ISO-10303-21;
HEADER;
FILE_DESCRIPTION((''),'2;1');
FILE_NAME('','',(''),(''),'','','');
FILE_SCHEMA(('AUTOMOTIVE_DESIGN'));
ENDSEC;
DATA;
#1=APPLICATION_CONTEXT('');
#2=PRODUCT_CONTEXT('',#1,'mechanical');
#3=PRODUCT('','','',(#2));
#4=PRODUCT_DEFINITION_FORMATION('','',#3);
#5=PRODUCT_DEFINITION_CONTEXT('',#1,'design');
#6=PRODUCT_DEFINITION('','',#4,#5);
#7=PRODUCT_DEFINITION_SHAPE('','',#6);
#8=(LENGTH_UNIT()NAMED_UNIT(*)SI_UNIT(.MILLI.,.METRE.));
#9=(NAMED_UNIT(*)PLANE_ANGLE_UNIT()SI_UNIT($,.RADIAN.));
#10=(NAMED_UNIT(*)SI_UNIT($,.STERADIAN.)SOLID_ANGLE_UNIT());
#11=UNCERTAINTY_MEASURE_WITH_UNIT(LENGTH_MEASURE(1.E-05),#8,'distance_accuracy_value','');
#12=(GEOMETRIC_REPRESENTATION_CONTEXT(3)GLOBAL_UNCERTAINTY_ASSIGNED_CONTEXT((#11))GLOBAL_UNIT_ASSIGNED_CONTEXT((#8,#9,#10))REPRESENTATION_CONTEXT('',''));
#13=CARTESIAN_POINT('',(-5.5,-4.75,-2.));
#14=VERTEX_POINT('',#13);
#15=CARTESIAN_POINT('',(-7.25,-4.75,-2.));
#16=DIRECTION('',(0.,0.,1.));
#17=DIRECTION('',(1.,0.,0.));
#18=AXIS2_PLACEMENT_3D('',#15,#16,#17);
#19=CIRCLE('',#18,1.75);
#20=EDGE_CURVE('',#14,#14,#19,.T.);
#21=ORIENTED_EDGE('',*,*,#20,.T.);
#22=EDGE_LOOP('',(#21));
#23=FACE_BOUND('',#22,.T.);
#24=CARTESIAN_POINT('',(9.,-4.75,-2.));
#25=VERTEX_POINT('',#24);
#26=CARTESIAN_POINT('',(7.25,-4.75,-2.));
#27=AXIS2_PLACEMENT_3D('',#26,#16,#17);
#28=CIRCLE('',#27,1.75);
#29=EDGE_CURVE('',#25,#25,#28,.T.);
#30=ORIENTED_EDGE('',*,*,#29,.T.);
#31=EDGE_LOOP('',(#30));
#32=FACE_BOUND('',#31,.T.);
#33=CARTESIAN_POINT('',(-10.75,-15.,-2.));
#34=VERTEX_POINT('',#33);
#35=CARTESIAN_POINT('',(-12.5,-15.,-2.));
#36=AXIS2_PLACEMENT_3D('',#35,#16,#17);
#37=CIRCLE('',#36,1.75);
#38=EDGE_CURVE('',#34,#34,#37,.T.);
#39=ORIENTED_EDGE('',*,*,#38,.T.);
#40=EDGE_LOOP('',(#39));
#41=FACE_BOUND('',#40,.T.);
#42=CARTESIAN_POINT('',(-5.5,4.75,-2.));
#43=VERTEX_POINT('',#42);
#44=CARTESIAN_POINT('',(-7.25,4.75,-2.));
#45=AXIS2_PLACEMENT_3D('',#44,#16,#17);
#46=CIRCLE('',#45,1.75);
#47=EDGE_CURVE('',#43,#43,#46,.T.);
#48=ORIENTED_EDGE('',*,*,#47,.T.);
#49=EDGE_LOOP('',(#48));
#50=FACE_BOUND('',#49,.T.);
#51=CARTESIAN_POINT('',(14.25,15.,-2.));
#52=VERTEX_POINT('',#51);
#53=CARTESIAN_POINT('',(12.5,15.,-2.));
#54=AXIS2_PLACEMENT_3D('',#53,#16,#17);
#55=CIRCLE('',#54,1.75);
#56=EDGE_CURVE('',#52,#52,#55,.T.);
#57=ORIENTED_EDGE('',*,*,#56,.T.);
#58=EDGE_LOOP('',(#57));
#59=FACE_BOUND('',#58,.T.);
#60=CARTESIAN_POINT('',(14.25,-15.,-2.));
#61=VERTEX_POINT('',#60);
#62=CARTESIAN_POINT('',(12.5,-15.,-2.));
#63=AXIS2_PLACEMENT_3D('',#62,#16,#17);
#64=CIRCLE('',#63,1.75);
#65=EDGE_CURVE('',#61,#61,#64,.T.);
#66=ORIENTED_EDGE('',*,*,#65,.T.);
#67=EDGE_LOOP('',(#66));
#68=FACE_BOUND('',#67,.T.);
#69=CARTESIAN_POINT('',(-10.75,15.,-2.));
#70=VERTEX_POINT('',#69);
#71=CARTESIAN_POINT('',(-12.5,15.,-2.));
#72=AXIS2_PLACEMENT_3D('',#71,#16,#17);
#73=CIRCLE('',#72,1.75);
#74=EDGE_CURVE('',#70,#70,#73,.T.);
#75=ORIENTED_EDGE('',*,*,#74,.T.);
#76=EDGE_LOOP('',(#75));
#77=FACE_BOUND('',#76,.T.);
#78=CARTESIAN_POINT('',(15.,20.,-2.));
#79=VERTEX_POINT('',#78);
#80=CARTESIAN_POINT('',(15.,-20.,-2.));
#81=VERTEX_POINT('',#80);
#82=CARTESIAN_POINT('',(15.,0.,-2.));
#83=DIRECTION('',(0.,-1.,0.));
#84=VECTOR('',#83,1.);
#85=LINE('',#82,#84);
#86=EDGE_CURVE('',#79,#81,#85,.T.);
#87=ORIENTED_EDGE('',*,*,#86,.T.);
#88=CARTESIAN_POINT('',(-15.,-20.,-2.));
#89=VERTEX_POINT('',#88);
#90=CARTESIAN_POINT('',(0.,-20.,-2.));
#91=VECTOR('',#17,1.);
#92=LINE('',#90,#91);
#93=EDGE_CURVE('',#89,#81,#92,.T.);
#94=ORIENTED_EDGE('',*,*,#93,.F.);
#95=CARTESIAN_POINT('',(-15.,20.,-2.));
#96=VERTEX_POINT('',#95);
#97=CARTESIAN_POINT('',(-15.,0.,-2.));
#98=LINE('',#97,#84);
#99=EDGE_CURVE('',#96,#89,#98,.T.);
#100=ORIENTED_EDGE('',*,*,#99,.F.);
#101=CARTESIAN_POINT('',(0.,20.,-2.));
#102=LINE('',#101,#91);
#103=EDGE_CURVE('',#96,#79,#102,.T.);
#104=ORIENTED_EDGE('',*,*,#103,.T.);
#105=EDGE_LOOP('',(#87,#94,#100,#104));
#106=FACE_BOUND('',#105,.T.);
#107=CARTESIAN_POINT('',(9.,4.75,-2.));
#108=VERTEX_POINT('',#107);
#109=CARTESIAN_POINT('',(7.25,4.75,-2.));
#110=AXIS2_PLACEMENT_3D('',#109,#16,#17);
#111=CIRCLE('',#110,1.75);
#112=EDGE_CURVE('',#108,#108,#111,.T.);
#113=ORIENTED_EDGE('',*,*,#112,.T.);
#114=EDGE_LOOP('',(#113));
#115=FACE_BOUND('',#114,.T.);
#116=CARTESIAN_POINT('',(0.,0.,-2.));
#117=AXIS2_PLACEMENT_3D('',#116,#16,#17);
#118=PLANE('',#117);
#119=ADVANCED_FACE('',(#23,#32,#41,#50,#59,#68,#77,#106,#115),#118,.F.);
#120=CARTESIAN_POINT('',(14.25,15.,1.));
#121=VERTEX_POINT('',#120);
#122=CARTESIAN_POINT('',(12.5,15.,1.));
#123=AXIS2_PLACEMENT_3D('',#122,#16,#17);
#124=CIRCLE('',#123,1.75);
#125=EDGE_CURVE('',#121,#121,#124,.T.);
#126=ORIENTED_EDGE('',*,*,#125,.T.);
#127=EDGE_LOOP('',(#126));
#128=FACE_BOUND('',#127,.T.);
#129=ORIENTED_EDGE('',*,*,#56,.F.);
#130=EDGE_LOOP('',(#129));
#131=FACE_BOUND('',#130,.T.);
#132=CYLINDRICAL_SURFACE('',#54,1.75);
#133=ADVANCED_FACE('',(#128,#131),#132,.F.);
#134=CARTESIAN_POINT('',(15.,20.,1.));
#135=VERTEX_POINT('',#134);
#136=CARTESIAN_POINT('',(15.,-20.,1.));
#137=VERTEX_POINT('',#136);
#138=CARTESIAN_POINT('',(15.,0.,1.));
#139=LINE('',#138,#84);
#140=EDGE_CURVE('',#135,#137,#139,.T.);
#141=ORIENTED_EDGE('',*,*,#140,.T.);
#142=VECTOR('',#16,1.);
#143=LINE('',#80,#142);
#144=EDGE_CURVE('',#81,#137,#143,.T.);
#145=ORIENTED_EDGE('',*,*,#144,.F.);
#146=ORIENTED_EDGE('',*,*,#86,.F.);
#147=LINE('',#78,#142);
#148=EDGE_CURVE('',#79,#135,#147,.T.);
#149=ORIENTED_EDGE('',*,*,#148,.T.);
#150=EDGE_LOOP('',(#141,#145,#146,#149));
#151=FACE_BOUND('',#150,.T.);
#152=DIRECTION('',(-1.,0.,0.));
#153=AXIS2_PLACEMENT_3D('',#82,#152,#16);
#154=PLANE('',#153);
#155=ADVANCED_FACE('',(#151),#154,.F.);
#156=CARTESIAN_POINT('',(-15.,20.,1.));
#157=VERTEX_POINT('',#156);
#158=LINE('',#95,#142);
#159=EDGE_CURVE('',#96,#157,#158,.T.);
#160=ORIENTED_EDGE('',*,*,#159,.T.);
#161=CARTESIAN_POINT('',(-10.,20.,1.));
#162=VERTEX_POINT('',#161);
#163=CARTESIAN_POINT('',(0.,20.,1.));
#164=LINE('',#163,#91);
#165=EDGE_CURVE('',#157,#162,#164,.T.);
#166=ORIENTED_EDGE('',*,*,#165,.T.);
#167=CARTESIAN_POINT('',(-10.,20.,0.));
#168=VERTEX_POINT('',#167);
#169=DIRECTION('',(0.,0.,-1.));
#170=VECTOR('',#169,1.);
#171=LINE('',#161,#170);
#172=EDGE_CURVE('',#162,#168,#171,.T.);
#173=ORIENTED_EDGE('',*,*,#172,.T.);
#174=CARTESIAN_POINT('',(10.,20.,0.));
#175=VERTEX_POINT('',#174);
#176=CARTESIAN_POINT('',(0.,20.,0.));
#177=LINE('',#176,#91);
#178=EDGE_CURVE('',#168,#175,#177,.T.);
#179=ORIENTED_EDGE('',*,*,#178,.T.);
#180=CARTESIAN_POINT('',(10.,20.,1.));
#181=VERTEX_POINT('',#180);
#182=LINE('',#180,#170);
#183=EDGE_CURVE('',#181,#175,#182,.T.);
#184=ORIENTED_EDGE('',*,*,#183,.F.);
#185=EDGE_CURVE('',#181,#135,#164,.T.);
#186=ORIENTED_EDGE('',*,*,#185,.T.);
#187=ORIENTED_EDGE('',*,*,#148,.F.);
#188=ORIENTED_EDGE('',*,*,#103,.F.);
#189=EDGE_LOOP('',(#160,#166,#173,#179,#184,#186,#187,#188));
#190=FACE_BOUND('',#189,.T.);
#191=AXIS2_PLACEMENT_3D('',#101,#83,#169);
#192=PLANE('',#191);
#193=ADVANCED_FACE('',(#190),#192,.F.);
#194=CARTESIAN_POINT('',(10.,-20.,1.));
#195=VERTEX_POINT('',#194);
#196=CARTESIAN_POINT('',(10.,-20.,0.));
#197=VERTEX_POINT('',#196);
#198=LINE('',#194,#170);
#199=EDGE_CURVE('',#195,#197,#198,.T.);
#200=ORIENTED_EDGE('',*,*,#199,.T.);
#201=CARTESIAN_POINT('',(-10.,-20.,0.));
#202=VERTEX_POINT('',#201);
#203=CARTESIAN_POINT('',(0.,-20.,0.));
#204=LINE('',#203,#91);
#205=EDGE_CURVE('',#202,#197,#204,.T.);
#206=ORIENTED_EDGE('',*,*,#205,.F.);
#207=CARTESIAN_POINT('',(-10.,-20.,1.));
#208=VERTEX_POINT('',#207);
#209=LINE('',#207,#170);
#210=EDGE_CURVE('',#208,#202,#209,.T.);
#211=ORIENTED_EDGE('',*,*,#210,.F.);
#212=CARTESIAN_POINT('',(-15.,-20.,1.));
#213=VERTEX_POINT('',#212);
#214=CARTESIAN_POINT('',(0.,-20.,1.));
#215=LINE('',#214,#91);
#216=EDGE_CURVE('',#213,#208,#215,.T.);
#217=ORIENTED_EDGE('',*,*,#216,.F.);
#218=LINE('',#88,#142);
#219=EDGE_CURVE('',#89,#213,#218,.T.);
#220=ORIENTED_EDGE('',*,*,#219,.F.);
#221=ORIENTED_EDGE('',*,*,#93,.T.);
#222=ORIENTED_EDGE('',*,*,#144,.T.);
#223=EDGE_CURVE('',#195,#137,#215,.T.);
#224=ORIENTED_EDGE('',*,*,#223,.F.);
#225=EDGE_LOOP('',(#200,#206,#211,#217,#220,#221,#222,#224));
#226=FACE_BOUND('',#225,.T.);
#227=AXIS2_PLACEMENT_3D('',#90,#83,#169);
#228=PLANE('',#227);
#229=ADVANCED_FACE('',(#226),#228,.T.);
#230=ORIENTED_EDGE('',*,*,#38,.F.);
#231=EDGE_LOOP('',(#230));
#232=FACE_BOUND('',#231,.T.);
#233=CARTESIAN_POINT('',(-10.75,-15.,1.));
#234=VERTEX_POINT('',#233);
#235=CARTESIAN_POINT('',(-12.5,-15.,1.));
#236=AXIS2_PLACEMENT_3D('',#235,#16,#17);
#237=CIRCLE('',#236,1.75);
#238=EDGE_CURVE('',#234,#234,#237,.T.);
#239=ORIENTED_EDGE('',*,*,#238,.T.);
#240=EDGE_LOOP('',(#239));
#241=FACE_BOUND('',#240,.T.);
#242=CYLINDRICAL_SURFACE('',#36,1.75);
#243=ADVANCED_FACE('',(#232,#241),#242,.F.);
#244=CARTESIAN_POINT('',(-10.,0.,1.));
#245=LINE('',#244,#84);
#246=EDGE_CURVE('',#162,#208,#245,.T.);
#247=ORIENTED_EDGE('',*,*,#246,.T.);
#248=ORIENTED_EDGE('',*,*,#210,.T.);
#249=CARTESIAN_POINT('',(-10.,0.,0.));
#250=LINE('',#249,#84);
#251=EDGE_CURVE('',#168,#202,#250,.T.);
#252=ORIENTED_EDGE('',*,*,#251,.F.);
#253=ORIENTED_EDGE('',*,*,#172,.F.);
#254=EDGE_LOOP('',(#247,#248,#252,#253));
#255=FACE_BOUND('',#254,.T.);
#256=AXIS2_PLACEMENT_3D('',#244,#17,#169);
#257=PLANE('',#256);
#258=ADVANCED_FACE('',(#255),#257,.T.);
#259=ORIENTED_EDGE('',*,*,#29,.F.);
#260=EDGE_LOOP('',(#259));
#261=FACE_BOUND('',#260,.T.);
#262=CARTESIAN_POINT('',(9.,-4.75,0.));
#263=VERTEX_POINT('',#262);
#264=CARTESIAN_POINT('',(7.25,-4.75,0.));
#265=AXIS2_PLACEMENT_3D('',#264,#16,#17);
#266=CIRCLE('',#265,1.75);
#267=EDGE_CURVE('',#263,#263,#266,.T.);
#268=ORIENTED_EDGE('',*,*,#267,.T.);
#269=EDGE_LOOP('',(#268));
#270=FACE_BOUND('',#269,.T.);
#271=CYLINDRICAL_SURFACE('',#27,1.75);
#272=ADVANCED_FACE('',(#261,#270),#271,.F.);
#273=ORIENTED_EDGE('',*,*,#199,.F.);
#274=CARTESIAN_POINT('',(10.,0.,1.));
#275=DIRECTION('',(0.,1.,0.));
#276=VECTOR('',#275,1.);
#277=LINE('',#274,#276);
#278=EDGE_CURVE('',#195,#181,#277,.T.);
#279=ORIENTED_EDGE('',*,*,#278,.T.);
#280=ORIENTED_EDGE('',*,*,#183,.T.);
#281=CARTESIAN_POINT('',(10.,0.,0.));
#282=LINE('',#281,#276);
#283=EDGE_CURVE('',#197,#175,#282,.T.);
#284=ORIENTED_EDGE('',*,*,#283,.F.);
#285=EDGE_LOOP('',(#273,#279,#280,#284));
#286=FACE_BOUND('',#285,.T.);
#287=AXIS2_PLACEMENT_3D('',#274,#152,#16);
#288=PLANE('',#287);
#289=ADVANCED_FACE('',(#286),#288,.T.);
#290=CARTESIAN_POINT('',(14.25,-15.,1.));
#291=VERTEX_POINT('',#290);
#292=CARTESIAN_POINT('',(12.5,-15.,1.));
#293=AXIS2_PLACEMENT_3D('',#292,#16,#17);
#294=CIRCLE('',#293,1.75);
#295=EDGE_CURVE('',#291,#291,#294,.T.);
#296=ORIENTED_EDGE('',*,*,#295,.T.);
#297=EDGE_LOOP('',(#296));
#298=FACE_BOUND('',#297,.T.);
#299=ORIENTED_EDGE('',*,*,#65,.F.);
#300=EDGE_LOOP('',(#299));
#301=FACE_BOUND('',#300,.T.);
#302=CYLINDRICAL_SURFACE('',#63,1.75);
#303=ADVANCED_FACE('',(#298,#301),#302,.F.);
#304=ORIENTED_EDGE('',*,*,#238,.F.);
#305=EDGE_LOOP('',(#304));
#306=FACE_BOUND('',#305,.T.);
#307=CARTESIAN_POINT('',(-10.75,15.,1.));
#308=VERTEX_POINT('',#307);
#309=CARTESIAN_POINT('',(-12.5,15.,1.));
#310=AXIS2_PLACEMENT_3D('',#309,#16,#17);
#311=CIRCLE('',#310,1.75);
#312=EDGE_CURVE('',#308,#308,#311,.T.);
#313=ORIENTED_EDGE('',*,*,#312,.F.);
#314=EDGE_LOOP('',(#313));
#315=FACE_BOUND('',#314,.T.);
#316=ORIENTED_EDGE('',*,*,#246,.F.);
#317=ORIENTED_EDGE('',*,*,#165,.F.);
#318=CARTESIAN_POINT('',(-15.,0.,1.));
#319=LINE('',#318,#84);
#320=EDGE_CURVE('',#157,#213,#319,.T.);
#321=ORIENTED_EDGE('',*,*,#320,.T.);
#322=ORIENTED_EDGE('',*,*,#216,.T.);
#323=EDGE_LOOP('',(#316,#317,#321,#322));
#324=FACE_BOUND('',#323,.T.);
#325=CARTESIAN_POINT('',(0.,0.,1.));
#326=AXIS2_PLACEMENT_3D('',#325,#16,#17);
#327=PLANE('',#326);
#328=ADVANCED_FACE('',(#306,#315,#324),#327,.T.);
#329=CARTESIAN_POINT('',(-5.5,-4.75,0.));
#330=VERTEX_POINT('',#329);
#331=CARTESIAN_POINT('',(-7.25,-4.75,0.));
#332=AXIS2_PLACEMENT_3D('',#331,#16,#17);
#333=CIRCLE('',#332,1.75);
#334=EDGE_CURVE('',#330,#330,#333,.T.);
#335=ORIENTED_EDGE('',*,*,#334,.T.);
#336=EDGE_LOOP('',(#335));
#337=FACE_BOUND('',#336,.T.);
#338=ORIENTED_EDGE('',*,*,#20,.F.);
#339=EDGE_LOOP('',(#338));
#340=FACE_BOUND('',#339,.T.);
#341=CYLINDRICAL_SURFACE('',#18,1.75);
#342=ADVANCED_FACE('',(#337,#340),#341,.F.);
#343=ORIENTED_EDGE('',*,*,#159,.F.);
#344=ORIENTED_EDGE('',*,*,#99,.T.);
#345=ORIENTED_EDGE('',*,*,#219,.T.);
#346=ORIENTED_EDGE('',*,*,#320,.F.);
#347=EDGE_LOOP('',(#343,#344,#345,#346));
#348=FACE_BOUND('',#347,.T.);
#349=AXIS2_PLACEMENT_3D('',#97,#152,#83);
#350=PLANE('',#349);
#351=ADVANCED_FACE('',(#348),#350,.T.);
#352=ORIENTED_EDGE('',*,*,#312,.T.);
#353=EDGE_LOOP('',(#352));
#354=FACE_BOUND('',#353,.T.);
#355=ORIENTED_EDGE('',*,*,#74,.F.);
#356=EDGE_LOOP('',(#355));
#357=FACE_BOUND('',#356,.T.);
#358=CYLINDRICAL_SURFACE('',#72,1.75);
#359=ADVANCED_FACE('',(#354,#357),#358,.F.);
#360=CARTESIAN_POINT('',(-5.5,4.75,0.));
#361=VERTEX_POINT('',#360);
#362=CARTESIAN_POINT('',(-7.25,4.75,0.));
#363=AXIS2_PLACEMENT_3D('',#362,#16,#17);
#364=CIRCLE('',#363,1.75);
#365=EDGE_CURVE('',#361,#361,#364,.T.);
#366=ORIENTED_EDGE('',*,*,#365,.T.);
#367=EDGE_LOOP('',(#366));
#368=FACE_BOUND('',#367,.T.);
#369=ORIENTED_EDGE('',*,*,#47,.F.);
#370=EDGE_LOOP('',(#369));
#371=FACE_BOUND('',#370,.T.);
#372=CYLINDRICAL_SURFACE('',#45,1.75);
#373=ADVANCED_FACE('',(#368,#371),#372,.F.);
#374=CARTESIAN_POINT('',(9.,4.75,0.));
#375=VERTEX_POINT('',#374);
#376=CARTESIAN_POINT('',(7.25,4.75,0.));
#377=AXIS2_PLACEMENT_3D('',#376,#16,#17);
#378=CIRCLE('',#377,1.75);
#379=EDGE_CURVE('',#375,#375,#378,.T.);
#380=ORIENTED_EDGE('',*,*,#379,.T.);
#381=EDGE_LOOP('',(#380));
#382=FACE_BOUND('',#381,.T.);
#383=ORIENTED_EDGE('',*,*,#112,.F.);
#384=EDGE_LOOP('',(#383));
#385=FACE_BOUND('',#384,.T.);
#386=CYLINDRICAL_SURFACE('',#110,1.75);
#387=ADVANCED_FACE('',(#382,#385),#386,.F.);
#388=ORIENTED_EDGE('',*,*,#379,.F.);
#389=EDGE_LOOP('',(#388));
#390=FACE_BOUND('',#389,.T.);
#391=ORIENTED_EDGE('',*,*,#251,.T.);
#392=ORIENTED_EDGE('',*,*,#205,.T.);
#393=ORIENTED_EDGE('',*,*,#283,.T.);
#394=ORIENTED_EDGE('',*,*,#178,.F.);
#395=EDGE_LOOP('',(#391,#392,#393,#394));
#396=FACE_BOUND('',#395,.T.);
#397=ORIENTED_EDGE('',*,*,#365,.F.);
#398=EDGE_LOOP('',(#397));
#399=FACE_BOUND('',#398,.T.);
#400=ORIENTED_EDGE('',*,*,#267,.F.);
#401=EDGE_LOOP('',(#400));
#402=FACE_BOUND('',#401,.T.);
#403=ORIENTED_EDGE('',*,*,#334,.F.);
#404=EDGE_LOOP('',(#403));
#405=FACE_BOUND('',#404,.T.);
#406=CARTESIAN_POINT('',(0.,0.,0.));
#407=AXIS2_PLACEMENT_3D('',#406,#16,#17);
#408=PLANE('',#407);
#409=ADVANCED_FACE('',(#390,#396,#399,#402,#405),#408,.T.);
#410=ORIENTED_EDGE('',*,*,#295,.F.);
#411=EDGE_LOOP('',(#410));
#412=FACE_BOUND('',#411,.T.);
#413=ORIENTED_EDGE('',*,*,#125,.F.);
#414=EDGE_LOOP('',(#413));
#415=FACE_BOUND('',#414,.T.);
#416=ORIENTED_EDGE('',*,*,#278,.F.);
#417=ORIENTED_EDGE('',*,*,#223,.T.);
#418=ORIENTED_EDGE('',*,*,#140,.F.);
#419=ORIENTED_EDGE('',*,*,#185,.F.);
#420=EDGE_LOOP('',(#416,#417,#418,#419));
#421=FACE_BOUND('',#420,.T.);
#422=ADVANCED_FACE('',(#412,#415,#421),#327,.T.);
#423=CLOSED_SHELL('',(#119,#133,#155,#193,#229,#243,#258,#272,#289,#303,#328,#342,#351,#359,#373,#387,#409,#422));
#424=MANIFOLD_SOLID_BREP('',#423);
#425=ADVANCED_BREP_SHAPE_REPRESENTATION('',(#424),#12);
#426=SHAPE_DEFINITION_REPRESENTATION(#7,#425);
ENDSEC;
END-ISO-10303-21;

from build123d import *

# Parameters (mm, degrees)
ESQUISSE1_W        = 30
ESQUISSE1_H        = 40
ESQUISSE1_R        = 1.75
BOSS_EXTRU_1_DEPTH = 2
BOSS_EXTRU_2_START = 1
ESQUISSE1_3_W      = 5
ESQUISSE1_3_H      = 40
ESQUISSE1_3_R      = 1.75
BOSS_EXTRU_2_DEPTH = 1


with BuildPart() as part:
    # Esquisse1 → Boss.-Extru.1 (new body)
    with BuildSketch(Plane.XY):
        Rectangle(ESQUISSE1_W, ESQUISSE1_H)
        with Locations((-7.25, -4.75)):
            Circle(ESQUISSE1_R, mode=Mode.SUBTRACT)
        with Locations((7.25, -4.75)):
            Circle(ESQUISSE1_R, mode=Mode.SUBTRACT)
        with Locations((-7.25, 4.75)):
            Circle(ESQUISSE1_R, mode=Mode.SUBTRACT)
        with Locations((7.25, 4.75)):
            Circle(ESQUISSE1_R, mode=Mode.SUBTRACT)
        with Locations((12.5, 15)):
            Circle(ESQUISSE1_R, mode=Mode.SUBTRACT)
        with Locations((12.5, -15)):
            Circle(ESQUISSE1_R, mode=Mode.SUBTRACT)
        with Locations((-12.5, 15)):
            Circle(ESQUISSE1_R, mode=Mode.SUBTRACT)
        with Locations((-12.5, -15)):
            Circle(ESQUISSE1_R, mode=Mode.SUBTRACT)
    extrude(amount=-BOSS_EXTRU_1_DEPTH)

    # Esquisse1<3> → Boss.-Extru.2 (add)
    # profile 1 of 2: a face of its own
    with BuildSketch(Plane.XY.offset(BOSS_EXTRU_2_START)):
        with Locations((-12.5, 0)):
            Rectangle(ESQUISSE1_3_W, ESQUISSE1_3_H)
        with Locations((-12.5, -15)):
            Circle(ESQUISSE1_3_R, mode=Mode.SUBTRACT)
        with Locations((-12.5, 15)):
            Circle(ESQUISSE1_3_R, mode=Mode.SUBTRACT)
    # profile 2 of 2: a face of its own
    with BuildSketch(Plane.XY.offset(BOSS_EXTRU_2_START)):
        with Locations((12.5, 0)):
            Rectangle(ESQUISSE1_3_W, ESQUISSE1_3_H)
        with Locations((12.5, -15)):
            Circle(ESQUISSE1_3_R, mode=Mode.SUBTRACT)
        with Locations((12.5, 15)):
            Circle(ESQUISSE1_3_R, mode=Mode.SUBTRACT)
    extrude(amount=-BOSS_EXTRU_2_DEPTH)


solid = part.part
